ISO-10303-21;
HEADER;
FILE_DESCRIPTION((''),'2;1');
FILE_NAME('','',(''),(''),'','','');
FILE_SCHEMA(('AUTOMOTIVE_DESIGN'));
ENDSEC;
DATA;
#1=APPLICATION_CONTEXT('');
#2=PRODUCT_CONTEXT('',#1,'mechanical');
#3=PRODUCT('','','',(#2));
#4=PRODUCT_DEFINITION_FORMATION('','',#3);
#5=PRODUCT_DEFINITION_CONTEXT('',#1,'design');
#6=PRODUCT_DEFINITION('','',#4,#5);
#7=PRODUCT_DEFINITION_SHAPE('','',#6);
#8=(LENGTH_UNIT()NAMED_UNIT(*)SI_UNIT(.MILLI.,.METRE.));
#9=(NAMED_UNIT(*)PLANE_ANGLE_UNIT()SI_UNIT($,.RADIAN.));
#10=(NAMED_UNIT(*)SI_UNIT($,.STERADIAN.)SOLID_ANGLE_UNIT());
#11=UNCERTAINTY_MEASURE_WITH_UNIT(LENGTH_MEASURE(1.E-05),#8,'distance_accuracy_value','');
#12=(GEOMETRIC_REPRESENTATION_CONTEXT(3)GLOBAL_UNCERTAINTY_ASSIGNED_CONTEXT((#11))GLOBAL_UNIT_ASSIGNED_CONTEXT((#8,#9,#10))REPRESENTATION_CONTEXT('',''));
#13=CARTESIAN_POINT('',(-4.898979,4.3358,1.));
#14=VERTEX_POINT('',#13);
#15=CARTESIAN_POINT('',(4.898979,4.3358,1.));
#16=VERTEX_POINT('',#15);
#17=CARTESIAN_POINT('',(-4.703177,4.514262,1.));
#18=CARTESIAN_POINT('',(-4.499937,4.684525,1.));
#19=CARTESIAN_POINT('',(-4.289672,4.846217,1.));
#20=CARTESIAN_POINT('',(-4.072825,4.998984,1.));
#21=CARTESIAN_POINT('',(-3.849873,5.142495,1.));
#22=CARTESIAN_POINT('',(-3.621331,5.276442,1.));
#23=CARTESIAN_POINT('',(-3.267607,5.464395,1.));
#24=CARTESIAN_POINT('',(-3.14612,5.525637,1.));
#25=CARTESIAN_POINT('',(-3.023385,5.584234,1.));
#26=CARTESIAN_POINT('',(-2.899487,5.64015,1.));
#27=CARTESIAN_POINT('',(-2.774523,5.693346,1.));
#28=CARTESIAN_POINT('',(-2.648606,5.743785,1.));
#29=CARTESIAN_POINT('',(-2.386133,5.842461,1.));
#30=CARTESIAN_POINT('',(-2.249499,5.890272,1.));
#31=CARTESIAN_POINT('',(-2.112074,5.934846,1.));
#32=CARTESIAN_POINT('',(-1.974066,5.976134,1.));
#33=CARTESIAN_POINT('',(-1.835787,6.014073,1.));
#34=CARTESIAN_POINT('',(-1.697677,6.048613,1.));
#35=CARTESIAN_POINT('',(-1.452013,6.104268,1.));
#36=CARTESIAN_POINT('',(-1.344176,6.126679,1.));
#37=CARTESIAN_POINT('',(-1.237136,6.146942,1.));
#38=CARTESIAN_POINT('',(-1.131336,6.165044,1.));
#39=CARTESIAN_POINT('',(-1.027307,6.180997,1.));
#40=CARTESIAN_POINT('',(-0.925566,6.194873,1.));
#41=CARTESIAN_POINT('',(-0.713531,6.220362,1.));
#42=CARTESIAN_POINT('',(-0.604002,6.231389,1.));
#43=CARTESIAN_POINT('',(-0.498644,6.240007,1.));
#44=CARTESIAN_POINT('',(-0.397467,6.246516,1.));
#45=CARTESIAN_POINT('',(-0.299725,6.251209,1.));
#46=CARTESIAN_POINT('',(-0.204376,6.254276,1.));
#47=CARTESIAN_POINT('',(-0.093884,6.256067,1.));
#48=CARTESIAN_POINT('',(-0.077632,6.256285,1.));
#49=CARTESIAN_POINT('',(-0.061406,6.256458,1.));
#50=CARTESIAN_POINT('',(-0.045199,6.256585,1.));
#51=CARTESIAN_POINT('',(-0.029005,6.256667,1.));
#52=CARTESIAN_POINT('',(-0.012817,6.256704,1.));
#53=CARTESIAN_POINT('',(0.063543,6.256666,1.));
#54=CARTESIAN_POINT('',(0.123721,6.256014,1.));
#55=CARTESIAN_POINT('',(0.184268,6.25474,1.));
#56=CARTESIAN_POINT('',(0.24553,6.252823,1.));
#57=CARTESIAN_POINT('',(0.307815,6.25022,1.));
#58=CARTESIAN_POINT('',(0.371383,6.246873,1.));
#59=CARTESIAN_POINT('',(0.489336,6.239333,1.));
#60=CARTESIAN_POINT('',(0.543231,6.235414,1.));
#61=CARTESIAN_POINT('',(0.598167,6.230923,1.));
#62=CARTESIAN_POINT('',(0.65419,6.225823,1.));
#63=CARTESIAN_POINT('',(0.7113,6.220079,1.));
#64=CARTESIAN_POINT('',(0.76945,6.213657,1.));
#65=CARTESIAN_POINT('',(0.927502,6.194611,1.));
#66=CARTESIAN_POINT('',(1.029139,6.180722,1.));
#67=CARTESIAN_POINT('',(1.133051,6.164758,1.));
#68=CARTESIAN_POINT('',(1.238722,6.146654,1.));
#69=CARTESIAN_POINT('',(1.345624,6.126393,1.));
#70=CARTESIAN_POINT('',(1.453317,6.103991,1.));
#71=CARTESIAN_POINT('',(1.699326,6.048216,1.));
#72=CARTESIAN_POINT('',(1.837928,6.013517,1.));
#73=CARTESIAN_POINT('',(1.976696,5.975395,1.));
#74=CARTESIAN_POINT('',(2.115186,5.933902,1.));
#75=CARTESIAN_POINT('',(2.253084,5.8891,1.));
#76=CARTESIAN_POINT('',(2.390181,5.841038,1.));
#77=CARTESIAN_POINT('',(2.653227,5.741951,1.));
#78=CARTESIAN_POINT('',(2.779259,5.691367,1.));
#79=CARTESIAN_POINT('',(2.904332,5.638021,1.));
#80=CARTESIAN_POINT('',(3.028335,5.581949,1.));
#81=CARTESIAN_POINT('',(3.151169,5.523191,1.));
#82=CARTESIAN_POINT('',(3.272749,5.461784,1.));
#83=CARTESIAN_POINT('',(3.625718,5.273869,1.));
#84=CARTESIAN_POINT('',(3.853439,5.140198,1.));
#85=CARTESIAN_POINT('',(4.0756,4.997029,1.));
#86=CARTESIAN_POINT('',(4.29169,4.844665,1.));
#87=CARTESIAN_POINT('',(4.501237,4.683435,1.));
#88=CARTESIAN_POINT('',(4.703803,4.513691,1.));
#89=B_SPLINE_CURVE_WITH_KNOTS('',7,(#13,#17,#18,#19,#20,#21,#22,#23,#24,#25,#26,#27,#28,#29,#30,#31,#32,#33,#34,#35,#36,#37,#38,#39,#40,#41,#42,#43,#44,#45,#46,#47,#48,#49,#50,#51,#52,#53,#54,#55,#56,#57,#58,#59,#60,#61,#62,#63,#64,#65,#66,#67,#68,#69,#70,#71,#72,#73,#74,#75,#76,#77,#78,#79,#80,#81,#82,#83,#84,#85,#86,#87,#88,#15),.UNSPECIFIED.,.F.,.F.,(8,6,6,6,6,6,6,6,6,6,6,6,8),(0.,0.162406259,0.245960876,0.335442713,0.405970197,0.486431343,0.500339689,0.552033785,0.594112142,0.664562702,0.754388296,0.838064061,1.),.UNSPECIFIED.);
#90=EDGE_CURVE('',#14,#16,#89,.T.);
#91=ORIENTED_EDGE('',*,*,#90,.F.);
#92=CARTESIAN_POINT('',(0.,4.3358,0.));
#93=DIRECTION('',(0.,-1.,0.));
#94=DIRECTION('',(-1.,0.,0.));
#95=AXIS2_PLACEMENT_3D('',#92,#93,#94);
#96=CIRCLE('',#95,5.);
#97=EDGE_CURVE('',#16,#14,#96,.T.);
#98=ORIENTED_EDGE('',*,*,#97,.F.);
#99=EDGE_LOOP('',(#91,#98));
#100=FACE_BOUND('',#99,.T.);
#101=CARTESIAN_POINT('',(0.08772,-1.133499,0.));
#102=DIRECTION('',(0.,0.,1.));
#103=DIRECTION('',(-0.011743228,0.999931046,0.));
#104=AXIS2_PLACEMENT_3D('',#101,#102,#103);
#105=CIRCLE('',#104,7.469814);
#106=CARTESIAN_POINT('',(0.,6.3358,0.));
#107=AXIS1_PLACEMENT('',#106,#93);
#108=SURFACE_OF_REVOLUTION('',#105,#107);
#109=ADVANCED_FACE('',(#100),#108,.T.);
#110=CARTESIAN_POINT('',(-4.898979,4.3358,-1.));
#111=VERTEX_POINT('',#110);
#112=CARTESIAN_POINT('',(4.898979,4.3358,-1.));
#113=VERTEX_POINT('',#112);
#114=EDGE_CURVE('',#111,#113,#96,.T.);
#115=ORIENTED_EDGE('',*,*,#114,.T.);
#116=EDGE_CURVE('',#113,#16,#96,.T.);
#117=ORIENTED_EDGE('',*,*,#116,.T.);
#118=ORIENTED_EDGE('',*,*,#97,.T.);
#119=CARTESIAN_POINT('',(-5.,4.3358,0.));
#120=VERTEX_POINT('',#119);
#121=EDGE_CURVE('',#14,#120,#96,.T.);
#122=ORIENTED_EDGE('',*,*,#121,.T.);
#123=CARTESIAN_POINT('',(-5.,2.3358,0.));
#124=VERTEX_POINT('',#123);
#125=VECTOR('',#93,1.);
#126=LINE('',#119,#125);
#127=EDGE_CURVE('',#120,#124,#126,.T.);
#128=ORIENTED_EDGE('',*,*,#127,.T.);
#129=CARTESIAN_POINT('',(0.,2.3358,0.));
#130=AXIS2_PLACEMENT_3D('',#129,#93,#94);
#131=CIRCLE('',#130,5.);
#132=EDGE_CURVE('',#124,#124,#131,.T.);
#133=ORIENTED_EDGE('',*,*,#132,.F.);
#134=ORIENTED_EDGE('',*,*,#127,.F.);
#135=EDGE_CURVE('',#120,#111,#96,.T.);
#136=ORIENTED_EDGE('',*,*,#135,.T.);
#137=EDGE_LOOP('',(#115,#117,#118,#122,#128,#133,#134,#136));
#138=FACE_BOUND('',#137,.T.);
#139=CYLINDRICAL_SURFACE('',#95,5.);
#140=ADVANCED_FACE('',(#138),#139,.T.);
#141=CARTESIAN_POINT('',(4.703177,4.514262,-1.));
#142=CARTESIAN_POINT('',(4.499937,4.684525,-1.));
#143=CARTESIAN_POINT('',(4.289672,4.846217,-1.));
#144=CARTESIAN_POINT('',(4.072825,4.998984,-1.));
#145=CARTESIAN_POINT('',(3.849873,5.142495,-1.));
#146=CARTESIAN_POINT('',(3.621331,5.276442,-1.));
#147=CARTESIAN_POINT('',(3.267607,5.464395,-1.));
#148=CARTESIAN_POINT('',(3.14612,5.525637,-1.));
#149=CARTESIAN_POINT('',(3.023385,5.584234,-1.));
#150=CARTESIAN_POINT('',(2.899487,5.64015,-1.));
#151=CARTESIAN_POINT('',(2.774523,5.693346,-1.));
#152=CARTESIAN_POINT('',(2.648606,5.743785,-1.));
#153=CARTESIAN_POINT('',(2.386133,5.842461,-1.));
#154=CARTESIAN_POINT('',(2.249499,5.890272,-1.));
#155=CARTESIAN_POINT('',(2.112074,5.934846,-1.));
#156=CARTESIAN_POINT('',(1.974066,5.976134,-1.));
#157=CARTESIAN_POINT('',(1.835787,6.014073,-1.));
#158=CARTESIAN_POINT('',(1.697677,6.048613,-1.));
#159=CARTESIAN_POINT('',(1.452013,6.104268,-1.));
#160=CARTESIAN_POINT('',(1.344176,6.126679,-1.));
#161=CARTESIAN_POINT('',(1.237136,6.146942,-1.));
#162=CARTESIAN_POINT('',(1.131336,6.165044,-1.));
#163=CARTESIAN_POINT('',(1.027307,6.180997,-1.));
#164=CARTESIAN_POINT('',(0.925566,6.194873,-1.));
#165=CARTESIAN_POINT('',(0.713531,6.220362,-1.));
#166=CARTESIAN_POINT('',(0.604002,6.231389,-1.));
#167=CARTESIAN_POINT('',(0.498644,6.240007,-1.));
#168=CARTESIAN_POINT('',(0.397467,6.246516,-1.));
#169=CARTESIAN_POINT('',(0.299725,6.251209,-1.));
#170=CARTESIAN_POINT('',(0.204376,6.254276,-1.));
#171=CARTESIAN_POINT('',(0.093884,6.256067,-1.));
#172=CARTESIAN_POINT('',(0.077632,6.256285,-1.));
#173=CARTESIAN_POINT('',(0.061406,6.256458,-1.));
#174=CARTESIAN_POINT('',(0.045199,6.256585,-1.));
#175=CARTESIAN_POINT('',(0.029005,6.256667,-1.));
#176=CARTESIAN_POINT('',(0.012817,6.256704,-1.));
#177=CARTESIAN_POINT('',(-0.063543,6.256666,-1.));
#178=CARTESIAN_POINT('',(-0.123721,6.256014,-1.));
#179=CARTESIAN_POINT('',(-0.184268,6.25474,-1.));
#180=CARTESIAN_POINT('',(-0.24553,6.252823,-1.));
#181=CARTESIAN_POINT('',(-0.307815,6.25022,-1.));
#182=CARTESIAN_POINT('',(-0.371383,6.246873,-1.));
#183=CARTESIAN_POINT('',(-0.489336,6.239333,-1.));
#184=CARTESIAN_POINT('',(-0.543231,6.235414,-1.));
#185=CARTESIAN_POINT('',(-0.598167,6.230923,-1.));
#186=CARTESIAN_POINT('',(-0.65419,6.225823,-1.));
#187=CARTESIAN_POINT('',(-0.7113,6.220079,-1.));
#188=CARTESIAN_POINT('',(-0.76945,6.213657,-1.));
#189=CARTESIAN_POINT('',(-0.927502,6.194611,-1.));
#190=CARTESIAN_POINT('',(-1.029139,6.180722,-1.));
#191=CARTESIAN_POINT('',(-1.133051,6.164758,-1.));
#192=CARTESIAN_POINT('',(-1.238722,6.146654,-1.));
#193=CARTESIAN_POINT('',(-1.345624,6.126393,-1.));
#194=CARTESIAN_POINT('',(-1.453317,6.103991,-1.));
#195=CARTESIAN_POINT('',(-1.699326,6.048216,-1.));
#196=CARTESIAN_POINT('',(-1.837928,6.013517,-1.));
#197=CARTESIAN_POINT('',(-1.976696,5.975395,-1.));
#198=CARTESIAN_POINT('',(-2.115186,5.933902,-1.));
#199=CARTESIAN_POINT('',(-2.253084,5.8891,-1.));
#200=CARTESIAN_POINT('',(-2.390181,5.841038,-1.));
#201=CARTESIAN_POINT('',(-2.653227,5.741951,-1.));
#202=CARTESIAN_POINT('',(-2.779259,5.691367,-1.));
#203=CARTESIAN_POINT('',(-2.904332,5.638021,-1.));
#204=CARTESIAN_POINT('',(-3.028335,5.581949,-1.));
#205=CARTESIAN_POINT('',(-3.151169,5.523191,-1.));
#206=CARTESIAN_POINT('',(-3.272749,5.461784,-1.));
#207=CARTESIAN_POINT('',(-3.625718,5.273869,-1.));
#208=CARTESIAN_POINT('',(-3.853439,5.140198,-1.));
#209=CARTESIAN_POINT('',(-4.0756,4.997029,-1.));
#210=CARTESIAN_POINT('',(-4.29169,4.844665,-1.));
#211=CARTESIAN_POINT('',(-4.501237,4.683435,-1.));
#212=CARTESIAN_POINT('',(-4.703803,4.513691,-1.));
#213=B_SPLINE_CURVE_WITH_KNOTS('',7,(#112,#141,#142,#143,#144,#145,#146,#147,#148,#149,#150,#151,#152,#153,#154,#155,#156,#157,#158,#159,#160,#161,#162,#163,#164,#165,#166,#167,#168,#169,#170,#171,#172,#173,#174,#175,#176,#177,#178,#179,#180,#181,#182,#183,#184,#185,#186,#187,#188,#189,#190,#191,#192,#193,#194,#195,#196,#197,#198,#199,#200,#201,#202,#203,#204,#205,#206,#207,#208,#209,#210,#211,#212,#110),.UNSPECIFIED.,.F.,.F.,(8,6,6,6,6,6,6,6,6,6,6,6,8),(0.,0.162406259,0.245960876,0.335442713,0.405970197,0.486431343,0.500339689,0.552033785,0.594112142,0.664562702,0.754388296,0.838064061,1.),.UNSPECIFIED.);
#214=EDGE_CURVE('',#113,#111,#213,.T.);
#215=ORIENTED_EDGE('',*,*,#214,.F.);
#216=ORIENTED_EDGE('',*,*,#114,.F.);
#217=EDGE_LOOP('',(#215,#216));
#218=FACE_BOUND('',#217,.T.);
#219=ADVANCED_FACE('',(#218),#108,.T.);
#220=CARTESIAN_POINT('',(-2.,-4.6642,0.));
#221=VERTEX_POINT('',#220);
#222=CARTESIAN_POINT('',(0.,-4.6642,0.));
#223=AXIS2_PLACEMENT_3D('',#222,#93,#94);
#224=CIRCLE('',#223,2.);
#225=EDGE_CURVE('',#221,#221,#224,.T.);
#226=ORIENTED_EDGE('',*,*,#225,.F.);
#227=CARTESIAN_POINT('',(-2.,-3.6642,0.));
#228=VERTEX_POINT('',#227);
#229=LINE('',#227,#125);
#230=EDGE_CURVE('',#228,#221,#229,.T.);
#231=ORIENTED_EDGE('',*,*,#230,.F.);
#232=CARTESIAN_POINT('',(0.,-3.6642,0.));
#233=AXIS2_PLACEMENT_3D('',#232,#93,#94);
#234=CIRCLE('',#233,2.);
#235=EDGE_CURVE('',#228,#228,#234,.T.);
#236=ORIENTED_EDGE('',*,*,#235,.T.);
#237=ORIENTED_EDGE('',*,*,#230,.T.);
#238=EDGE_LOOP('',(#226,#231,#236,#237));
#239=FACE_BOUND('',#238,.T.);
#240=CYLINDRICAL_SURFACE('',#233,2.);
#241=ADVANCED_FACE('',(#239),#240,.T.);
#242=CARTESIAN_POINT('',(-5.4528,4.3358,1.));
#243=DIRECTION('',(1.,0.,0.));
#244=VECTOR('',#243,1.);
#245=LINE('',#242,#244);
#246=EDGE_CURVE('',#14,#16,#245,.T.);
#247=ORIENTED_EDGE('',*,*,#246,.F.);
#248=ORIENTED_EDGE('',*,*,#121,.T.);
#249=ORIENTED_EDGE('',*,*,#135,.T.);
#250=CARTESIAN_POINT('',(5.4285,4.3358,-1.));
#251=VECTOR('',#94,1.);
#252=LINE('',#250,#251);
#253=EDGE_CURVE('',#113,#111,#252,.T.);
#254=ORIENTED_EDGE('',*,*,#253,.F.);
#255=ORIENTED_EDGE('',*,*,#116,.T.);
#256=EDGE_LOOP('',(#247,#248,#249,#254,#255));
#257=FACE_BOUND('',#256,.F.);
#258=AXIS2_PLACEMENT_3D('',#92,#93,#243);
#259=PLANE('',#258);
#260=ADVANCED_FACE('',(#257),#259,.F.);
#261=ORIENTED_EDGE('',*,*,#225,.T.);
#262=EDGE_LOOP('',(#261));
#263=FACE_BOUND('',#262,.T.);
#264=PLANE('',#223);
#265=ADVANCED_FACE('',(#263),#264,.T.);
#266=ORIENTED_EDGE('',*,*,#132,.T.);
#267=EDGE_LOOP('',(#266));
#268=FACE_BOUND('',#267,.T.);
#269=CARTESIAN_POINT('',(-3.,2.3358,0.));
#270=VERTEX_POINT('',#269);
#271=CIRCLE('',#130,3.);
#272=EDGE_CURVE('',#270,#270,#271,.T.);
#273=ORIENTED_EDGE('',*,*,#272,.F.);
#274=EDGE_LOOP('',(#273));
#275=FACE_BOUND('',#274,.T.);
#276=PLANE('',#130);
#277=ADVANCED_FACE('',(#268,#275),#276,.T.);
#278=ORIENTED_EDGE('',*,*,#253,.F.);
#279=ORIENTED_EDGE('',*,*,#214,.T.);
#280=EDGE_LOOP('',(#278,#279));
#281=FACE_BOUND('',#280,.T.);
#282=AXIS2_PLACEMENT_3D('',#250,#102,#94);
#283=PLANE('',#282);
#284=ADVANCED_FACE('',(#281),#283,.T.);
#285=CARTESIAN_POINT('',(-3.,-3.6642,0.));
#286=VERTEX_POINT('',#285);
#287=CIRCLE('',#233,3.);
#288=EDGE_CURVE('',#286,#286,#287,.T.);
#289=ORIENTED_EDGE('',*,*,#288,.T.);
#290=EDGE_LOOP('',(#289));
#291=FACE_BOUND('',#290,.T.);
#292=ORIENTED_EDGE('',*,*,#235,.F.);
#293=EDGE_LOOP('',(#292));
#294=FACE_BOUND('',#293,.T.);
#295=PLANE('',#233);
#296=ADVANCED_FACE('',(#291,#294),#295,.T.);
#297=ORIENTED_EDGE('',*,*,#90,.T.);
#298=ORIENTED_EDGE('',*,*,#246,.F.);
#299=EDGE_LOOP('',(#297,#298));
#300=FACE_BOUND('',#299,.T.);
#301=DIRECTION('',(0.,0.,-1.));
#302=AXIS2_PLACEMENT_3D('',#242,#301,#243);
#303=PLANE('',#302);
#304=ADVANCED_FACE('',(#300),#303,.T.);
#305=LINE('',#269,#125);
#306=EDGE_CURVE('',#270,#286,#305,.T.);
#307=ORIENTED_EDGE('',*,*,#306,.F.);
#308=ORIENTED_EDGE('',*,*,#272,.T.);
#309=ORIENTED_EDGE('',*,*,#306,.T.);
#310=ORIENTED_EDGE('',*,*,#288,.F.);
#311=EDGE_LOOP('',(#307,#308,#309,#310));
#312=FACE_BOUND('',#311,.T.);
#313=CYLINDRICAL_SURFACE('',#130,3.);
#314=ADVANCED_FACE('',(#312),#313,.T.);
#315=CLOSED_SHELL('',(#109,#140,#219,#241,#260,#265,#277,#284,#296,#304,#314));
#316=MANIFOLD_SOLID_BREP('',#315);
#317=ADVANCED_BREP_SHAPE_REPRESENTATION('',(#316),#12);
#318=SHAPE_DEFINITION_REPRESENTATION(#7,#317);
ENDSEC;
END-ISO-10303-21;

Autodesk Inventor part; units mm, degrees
ref_plane "YZ Plane" through (0, 0, 0) normal (1, 0, 0) x (0, 1, 0)
ref_plane "XZ Plane" through (0, 0, 0) normal (0, 1, 0) x (-1, 0, 0)
ref_plane "XY Plane" through (0, 0, 0) normal (0, 0, 1) x (1, 0, 0)
sketch "Sketch1" plane through (0, 0, 0) normal (0, 0, 1) x (1, 0, 0)
  line L0 (-5, 4.3358) -> (-5, 2.3358)
  line L1 (-5, 2.3358) -> (-3, 2.3358)
  line L2 (-3, 2.3358) -> (-3, -3.6642)
  line L3 (-3, -3.6642) -> (-2, -3.6642)
  line L4 (-2, -3.6642) -> (-2, -4.6642)
  line L5 (-2, -4.6642) -> (0, -4.6642)
  arc A0 (0, 6.3358) -> (-5, 4.3358) centre (0.0877, -1.1334) ccw
  line L6 (0, 6.3358) -> (0, -4.6642)
  point P0 (0, 0)
  dimension "d1" = 2
  dimension "d2" = 2
  dimension "d3" = 6
  dimension "d4" = 1
  dimension "d5" = 1
revolve "Revolution1" add sketch "Sketch1" angle 360 about axis through (0, 6.3358, 0) along (0, -1, 0)
ref_plane "Work Plane1" through (0, 4.3358, 0) normal (0, -1, 0) x (1, 0, 0)
sketch "Sketch2" plane through (0, 4.3358, 0) normal (0, -1, 0) x (1, 0, 0)
  line L0 (-5.4528, 1) -> (5.4285, 1)
  line L1 (5.4285, 1) -> (5.4285, -1)
  line L2 (5.4285, -1) -> (-5.4528, -1)
  line L3 (-5.4528, -1) -> (-5.4528, 1)
  point P0 (0, 0)
  dimension "d9" = 2
  dimension "d10" = 1
extrude "Extrusion1" cut sketch "Sketch2" against normal blind 10
properties part number "sixth"
